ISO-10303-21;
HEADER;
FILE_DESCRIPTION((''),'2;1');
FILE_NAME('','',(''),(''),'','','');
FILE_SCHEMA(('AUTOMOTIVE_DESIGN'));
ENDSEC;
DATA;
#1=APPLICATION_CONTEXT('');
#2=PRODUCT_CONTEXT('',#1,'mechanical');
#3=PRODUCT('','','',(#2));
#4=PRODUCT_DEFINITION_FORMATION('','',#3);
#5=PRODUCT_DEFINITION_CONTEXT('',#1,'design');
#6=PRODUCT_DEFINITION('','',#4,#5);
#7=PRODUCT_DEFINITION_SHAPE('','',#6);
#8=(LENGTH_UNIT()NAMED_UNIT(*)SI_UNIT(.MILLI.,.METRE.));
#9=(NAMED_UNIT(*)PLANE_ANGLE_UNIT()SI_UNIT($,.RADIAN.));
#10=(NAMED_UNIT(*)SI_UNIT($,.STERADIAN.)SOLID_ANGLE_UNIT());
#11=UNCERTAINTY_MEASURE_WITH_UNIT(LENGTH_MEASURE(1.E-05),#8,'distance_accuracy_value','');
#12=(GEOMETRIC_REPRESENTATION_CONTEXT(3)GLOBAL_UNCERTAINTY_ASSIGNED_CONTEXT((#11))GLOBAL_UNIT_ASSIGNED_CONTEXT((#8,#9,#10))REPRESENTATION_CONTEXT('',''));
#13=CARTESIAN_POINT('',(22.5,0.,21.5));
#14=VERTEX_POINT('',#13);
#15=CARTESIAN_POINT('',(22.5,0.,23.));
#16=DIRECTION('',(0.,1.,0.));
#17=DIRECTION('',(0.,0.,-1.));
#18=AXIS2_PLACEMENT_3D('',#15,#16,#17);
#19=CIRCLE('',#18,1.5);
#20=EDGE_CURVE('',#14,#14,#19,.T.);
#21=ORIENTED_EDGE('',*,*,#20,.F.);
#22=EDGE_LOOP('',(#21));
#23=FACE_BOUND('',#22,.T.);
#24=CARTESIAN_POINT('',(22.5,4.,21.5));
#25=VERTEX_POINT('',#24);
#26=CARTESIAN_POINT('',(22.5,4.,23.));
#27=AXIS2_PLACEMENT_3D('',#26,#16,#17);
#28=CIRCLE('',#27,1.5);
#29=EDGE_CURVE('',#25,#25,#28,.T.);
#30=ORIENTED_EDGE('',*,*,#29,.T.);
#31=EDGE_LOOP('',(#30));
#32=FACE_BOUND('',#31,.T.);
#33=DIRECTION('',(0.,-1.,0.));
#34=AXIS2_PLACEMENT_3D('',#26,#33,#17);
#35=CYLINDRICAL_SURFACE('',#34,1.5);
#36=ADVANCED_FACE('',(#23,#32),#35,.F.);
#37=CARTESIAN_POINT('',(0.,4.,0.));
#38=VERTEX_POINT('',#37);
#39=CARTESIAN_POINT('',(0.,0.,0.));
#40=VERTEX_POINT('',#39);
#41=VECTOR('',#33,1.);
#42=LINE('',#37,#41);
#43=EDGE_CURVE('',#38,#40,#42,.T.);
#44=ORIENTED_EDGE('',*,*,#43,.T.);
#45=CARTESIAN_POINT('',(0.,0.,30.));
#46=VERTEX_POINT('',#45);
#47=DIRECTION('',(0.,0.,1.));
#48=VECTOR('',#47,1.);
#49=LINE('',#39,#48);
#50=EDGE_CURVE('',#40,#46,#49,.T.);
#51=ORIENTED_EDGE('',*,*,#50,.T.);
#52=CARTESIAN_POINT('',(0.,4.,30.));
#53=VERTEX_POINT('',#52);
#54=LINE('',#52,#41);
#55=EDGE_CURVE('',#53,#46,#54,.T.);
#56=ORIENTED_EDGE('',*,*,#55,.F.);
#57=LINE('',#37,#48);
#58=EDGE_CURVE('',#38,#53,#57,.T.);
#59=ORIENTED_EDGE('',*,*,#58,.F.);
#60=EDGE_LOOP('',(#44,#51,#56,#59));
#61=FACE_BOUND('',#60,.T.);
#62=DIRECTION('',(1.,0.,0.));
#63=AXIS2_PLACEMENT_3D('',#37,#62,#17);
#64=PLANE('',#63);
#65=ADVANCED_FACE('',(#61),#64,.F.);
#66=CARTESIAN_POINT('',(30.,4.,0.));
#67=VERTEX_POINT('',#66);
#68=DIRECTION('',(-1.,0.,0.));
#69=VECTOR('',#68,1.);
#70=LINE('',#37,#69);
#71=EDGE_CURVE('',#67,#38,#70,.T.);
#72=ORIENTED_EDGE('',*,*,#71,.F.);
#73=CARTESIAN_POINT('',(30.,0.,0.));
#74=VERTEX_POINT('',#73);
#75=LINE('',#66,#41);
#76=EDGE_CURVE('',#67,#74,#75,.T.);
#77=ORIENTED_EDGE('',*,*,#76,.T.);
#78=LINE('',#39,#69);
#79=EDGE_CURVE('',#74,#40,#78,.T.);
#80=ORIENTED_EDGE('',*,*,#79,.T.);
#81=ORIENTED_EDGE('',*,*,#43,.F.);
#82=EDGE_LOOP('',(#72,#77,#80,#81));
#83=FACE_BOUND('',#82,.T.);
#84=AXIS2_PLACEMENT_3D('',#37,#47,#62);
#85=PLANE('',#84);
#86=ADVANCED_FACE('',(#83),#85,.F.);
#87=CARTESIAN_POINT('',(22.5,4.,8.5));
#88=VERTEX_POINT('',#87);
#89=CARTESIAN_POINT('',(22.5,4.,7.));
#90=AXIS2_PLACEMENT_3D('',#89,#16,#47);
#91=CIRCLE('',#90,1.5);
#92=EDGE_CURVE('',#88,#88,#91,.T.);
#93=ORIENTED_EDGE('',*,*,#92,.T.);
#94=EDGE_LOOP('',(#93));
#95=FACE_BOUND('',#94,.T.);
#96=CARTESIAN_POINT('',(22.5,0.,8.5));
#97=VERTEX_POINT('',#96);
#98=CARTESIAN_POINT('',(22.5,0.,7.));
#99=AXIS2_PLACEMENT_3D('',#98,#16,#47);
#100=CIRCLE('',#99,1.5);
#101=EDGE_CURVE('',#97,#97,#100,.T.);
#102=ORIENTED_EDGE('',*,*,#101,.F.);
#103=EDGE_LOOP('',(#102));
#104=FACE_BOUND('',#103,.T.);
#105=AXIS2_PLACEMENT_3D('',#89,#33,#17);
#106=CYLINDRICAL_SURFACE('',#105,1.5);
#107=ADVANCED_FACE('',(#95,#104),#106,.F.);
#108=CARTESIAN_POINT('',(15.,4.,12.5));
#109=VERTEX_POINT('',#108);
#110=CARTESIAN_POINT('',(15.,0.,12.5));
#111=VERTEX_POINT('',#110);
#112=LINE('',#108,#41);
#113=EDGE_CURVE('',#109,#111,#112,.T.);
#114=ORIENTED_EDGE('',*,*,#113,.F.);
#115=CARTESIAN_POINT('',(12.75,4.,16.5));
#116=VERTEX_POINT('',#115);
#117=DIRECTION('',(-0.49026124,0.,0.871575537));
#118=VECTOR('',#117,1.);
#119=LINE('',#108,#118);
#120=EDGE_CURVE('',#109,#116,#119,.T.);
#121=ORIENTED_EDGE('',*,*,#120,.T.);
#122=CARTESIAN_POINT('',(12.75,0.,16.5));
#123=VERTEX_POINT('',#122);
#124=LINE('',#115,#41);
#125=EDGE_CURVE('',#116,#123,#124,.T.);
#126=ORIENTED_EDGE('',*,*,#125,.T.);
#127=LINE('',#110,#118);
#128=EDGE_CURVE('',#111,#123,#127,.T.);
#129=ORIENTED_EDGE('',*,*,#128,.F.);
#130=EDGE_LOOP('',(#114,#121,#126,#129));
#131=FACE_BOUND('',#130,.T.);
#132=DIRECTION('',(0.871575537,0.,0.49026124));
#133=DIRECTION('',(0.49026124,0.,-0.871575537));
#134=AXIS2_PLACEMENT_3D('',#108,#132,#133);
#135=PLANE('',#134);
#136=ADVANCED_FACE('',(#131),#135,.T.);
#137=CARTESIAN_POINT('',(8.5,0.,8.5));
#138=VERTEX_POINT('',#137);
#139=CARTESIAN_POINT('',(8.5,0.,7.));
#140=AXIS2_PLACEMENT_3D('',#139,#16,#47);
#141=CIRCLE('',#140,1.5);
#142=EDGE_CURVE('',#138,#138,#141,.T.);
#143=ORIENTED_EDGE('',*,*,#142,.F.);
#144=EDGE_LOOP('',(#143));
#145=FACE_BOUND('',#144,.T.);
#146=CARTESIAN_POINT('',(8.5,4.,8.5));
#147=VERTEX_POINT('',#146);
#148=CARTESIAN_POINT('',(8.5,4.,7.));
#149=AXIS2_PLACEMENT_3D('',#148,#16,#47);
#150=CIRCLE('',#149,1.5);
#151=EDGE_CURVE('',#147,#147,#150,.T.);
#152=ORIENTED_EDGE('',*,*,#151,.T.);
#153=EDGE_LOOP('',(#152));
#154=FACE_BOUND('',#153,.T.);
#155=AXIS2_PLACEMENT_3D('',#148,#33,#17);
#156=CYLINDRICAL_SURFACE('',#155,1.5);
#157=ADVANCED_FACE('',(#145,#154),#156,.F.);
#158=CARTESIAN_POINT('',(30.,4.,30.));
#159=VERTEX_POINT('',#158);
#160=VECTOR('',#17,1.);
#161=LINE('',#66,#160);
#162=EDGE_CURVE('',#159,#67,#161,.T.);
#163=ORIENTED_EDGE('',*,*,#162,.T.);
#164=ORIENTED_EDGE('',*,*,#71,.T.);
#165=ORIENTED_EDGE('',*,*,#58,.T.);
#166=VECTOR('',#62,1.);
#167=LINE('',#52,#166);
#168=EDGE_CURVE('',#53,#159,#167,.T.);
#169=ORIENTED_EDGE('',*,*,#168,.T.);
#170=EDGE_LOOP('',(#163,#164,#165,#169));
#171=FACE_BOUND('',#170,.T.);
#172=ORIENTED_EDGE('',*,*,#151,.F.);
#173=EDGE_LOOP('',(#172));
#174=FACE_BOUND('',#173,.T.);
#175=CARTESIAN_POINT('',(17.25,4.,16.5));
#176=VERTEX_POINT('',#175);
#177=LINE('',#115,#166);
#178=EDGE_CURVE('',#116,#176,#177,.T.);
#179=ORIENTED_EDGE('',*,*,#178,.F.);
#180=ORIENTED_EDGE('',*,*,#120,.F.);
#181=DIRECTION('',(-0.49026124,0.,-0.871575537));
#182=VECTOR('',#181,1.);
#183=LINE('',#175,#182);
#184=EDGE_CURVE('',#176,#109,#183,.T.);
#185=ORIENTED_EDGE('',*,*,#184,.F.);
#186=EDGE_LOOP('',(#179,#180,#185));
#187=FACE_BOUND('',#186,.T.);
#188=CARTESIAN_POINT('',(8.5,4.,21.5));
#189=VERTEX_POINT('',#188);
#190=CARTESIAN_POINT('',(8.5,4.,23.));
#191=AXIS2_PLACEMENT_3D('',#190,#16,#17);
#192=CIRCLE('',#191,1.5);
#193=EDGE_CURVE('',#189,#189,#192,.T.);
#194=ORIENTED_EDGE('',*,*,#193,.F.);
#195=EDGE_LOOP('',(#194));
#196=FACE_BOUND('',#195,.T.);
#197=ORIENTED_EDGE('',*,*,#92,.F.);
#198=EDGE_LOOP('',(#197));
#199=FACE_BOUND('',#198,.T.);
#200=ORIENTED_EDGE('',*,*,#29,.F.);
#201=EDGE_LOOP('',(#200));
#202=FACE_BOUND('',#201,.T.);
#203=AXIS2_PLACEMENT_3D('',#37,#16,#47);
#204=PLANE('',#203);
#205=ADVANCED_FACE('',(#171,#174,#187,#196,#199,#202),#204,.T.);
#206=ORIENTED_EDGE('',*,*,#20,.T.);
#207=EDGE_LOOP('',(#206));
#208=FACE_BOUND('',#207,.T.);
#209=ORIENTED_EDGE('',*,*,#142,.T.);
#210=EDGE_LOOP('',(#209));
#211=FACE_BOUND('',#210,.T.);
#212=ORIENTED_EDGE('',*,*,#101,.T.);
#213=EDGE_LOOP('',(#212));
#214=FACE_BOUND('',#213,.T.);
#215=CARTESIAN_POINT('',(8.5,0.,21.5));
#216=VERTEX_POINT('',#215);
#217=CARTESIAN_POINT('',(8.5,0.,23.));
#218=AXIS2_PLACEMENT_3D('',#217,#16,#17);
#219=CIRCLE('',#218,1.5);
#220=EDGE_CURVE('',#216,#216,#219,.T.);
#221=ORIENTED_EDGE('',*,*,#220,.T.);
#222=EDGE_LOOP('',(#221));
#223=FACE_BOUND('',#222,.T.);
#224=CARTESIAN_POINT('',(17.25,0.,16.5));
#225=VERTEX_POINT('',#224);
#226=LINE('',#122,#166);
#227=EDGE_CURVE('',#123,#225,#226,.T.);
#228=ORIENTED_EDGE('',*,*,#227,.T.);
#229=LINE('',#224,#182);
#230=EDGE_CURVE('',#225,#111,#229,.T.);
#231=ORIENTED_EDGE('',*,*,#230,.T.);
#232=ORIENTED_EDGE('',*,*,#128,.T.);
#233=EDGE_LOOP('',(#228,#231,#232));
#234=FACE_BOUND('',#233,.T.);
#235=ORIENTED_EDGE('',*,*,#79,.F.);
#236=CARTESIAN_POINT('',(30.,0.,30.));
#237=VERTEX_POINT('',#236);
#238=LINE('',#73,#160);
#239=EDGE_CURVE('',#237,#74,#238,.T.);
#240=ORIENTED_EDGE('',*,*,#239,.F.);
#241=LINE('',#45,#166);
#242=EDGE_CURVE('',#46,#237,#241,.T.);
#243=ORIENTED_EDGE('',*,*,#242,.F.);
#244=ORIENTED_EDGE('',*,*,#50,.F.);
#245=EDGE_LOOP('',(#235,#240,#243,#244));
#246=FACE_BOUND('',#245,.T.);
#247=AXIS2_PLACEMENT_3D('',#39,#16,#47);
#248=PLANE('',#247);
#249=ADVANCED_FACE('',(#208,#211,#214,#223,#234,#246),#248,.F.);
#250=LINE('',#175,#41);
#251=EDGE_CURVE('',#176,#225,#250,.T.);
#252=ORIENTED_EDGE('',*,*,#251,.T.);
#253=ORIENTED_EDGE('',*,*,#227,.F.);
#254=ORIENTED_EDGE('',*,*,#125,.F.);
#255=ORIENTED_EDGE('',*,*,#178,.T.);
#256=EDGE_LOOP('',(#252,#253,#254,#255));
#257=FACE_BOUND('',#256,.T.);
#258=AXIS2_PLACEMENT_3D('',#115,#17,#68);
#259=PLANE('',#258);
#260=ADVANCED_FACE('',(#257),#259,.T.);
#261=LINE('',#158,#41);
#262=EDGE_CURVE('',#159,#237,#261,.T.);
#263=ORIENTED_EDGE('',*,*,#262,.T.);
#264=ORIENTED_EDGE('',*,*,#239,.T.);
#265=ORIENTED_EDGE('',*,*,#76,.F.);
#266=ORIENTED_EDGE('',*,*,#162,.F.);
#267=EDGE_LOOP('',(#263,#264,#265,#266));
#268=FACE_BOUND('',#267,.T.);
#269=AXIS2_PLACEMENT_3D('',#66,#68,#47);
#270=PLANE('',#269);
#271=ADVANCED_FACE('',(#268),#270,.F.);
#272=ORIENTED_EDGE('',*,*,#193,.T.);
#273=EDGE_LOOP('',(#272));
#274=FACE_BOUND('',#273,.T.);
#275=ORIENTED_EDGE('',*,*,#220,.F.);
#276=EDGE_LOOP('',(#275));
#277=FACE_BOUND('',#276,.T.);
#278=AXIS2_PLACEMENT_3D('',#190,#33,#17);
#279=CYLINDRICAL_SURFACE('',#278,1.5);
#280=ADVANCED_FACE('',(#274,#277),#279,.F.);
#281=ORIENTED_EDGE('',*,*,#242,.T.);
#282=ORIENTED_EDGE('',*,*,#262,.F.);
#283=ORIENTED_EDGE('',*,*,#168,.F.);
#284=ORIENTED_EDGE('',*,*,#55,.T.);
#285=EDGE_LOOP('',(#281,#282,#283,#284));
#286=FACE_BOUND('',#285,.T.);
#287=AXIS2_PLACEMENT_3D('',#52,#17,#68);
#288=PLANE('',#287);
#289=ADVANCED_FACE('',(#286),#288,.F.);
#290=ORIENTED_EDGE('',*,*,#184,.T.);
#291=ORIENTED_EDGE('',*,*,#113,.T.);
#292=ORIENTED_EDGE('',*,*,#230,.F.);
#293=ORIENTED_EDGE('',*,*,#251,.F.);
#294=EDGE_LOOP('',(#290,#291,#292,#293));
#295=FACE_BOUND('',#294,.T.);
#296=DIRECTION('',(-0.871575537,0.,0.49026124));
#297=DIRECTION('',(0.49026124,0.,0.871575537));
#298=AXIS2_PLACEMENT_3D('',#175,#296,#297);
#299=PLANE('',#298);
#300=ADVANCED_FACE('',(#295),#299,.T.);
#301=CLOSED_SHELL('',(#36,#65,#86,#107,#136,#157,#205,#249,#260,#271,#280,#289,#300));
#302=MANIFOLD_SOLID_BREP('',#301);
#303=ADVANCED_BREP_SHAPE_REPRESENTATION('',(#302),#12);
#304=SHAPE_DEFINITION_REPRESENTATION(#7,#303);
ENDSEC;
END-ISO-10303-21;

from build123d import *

# Parameters (mm, degrees)
SKETCH_1_W      = 30
SKETCH_1_H      = 30
SKETCH_1_R      = 1.5
EXTRUDE_1_DEPTH = 4


with BuildPart() as part:
    # 草图1 → 凸台-拉伸1 (new body)
    with BuildSketch(Plane(origin=(0, 0, 0), x_dir=(1, 0, 0), z_dir=(0, 1, 0))):
        with Locations((15, -15)):
            Rectangle(SKETCH_1_W, SKETCH_1_H)
        with Locations(Location((8.5, -7, 0), (0, 0, 270))):
            Circle(SKETCH_1_R, mode=Mode.SUBTRACT)
        with Locations(Location((22.5, -7, 0), (0, 0, 270))):
            Circle(SKETCH_1_R, mode=Mode.SUBTRACT)
        with Locations(Location((22.5, -23, 0), (0, 0, 90))):
            Circle(SKETCH_1_R, mode=Mode.SUBTRACT)
        with Locations(Location((8.5, -23, 0), (0, 0, 90))):
            Circle(SKETCH_1_R, mode=Mode.SUBTRACT)
        Polygon((15, -12.5), (12.75, -16.5), (17.25, -16.5), align=None, mode=Mode.SUBTRACT)
    extrude(amount=EXTRUDE_1_DEPTH)


solid = part.part
